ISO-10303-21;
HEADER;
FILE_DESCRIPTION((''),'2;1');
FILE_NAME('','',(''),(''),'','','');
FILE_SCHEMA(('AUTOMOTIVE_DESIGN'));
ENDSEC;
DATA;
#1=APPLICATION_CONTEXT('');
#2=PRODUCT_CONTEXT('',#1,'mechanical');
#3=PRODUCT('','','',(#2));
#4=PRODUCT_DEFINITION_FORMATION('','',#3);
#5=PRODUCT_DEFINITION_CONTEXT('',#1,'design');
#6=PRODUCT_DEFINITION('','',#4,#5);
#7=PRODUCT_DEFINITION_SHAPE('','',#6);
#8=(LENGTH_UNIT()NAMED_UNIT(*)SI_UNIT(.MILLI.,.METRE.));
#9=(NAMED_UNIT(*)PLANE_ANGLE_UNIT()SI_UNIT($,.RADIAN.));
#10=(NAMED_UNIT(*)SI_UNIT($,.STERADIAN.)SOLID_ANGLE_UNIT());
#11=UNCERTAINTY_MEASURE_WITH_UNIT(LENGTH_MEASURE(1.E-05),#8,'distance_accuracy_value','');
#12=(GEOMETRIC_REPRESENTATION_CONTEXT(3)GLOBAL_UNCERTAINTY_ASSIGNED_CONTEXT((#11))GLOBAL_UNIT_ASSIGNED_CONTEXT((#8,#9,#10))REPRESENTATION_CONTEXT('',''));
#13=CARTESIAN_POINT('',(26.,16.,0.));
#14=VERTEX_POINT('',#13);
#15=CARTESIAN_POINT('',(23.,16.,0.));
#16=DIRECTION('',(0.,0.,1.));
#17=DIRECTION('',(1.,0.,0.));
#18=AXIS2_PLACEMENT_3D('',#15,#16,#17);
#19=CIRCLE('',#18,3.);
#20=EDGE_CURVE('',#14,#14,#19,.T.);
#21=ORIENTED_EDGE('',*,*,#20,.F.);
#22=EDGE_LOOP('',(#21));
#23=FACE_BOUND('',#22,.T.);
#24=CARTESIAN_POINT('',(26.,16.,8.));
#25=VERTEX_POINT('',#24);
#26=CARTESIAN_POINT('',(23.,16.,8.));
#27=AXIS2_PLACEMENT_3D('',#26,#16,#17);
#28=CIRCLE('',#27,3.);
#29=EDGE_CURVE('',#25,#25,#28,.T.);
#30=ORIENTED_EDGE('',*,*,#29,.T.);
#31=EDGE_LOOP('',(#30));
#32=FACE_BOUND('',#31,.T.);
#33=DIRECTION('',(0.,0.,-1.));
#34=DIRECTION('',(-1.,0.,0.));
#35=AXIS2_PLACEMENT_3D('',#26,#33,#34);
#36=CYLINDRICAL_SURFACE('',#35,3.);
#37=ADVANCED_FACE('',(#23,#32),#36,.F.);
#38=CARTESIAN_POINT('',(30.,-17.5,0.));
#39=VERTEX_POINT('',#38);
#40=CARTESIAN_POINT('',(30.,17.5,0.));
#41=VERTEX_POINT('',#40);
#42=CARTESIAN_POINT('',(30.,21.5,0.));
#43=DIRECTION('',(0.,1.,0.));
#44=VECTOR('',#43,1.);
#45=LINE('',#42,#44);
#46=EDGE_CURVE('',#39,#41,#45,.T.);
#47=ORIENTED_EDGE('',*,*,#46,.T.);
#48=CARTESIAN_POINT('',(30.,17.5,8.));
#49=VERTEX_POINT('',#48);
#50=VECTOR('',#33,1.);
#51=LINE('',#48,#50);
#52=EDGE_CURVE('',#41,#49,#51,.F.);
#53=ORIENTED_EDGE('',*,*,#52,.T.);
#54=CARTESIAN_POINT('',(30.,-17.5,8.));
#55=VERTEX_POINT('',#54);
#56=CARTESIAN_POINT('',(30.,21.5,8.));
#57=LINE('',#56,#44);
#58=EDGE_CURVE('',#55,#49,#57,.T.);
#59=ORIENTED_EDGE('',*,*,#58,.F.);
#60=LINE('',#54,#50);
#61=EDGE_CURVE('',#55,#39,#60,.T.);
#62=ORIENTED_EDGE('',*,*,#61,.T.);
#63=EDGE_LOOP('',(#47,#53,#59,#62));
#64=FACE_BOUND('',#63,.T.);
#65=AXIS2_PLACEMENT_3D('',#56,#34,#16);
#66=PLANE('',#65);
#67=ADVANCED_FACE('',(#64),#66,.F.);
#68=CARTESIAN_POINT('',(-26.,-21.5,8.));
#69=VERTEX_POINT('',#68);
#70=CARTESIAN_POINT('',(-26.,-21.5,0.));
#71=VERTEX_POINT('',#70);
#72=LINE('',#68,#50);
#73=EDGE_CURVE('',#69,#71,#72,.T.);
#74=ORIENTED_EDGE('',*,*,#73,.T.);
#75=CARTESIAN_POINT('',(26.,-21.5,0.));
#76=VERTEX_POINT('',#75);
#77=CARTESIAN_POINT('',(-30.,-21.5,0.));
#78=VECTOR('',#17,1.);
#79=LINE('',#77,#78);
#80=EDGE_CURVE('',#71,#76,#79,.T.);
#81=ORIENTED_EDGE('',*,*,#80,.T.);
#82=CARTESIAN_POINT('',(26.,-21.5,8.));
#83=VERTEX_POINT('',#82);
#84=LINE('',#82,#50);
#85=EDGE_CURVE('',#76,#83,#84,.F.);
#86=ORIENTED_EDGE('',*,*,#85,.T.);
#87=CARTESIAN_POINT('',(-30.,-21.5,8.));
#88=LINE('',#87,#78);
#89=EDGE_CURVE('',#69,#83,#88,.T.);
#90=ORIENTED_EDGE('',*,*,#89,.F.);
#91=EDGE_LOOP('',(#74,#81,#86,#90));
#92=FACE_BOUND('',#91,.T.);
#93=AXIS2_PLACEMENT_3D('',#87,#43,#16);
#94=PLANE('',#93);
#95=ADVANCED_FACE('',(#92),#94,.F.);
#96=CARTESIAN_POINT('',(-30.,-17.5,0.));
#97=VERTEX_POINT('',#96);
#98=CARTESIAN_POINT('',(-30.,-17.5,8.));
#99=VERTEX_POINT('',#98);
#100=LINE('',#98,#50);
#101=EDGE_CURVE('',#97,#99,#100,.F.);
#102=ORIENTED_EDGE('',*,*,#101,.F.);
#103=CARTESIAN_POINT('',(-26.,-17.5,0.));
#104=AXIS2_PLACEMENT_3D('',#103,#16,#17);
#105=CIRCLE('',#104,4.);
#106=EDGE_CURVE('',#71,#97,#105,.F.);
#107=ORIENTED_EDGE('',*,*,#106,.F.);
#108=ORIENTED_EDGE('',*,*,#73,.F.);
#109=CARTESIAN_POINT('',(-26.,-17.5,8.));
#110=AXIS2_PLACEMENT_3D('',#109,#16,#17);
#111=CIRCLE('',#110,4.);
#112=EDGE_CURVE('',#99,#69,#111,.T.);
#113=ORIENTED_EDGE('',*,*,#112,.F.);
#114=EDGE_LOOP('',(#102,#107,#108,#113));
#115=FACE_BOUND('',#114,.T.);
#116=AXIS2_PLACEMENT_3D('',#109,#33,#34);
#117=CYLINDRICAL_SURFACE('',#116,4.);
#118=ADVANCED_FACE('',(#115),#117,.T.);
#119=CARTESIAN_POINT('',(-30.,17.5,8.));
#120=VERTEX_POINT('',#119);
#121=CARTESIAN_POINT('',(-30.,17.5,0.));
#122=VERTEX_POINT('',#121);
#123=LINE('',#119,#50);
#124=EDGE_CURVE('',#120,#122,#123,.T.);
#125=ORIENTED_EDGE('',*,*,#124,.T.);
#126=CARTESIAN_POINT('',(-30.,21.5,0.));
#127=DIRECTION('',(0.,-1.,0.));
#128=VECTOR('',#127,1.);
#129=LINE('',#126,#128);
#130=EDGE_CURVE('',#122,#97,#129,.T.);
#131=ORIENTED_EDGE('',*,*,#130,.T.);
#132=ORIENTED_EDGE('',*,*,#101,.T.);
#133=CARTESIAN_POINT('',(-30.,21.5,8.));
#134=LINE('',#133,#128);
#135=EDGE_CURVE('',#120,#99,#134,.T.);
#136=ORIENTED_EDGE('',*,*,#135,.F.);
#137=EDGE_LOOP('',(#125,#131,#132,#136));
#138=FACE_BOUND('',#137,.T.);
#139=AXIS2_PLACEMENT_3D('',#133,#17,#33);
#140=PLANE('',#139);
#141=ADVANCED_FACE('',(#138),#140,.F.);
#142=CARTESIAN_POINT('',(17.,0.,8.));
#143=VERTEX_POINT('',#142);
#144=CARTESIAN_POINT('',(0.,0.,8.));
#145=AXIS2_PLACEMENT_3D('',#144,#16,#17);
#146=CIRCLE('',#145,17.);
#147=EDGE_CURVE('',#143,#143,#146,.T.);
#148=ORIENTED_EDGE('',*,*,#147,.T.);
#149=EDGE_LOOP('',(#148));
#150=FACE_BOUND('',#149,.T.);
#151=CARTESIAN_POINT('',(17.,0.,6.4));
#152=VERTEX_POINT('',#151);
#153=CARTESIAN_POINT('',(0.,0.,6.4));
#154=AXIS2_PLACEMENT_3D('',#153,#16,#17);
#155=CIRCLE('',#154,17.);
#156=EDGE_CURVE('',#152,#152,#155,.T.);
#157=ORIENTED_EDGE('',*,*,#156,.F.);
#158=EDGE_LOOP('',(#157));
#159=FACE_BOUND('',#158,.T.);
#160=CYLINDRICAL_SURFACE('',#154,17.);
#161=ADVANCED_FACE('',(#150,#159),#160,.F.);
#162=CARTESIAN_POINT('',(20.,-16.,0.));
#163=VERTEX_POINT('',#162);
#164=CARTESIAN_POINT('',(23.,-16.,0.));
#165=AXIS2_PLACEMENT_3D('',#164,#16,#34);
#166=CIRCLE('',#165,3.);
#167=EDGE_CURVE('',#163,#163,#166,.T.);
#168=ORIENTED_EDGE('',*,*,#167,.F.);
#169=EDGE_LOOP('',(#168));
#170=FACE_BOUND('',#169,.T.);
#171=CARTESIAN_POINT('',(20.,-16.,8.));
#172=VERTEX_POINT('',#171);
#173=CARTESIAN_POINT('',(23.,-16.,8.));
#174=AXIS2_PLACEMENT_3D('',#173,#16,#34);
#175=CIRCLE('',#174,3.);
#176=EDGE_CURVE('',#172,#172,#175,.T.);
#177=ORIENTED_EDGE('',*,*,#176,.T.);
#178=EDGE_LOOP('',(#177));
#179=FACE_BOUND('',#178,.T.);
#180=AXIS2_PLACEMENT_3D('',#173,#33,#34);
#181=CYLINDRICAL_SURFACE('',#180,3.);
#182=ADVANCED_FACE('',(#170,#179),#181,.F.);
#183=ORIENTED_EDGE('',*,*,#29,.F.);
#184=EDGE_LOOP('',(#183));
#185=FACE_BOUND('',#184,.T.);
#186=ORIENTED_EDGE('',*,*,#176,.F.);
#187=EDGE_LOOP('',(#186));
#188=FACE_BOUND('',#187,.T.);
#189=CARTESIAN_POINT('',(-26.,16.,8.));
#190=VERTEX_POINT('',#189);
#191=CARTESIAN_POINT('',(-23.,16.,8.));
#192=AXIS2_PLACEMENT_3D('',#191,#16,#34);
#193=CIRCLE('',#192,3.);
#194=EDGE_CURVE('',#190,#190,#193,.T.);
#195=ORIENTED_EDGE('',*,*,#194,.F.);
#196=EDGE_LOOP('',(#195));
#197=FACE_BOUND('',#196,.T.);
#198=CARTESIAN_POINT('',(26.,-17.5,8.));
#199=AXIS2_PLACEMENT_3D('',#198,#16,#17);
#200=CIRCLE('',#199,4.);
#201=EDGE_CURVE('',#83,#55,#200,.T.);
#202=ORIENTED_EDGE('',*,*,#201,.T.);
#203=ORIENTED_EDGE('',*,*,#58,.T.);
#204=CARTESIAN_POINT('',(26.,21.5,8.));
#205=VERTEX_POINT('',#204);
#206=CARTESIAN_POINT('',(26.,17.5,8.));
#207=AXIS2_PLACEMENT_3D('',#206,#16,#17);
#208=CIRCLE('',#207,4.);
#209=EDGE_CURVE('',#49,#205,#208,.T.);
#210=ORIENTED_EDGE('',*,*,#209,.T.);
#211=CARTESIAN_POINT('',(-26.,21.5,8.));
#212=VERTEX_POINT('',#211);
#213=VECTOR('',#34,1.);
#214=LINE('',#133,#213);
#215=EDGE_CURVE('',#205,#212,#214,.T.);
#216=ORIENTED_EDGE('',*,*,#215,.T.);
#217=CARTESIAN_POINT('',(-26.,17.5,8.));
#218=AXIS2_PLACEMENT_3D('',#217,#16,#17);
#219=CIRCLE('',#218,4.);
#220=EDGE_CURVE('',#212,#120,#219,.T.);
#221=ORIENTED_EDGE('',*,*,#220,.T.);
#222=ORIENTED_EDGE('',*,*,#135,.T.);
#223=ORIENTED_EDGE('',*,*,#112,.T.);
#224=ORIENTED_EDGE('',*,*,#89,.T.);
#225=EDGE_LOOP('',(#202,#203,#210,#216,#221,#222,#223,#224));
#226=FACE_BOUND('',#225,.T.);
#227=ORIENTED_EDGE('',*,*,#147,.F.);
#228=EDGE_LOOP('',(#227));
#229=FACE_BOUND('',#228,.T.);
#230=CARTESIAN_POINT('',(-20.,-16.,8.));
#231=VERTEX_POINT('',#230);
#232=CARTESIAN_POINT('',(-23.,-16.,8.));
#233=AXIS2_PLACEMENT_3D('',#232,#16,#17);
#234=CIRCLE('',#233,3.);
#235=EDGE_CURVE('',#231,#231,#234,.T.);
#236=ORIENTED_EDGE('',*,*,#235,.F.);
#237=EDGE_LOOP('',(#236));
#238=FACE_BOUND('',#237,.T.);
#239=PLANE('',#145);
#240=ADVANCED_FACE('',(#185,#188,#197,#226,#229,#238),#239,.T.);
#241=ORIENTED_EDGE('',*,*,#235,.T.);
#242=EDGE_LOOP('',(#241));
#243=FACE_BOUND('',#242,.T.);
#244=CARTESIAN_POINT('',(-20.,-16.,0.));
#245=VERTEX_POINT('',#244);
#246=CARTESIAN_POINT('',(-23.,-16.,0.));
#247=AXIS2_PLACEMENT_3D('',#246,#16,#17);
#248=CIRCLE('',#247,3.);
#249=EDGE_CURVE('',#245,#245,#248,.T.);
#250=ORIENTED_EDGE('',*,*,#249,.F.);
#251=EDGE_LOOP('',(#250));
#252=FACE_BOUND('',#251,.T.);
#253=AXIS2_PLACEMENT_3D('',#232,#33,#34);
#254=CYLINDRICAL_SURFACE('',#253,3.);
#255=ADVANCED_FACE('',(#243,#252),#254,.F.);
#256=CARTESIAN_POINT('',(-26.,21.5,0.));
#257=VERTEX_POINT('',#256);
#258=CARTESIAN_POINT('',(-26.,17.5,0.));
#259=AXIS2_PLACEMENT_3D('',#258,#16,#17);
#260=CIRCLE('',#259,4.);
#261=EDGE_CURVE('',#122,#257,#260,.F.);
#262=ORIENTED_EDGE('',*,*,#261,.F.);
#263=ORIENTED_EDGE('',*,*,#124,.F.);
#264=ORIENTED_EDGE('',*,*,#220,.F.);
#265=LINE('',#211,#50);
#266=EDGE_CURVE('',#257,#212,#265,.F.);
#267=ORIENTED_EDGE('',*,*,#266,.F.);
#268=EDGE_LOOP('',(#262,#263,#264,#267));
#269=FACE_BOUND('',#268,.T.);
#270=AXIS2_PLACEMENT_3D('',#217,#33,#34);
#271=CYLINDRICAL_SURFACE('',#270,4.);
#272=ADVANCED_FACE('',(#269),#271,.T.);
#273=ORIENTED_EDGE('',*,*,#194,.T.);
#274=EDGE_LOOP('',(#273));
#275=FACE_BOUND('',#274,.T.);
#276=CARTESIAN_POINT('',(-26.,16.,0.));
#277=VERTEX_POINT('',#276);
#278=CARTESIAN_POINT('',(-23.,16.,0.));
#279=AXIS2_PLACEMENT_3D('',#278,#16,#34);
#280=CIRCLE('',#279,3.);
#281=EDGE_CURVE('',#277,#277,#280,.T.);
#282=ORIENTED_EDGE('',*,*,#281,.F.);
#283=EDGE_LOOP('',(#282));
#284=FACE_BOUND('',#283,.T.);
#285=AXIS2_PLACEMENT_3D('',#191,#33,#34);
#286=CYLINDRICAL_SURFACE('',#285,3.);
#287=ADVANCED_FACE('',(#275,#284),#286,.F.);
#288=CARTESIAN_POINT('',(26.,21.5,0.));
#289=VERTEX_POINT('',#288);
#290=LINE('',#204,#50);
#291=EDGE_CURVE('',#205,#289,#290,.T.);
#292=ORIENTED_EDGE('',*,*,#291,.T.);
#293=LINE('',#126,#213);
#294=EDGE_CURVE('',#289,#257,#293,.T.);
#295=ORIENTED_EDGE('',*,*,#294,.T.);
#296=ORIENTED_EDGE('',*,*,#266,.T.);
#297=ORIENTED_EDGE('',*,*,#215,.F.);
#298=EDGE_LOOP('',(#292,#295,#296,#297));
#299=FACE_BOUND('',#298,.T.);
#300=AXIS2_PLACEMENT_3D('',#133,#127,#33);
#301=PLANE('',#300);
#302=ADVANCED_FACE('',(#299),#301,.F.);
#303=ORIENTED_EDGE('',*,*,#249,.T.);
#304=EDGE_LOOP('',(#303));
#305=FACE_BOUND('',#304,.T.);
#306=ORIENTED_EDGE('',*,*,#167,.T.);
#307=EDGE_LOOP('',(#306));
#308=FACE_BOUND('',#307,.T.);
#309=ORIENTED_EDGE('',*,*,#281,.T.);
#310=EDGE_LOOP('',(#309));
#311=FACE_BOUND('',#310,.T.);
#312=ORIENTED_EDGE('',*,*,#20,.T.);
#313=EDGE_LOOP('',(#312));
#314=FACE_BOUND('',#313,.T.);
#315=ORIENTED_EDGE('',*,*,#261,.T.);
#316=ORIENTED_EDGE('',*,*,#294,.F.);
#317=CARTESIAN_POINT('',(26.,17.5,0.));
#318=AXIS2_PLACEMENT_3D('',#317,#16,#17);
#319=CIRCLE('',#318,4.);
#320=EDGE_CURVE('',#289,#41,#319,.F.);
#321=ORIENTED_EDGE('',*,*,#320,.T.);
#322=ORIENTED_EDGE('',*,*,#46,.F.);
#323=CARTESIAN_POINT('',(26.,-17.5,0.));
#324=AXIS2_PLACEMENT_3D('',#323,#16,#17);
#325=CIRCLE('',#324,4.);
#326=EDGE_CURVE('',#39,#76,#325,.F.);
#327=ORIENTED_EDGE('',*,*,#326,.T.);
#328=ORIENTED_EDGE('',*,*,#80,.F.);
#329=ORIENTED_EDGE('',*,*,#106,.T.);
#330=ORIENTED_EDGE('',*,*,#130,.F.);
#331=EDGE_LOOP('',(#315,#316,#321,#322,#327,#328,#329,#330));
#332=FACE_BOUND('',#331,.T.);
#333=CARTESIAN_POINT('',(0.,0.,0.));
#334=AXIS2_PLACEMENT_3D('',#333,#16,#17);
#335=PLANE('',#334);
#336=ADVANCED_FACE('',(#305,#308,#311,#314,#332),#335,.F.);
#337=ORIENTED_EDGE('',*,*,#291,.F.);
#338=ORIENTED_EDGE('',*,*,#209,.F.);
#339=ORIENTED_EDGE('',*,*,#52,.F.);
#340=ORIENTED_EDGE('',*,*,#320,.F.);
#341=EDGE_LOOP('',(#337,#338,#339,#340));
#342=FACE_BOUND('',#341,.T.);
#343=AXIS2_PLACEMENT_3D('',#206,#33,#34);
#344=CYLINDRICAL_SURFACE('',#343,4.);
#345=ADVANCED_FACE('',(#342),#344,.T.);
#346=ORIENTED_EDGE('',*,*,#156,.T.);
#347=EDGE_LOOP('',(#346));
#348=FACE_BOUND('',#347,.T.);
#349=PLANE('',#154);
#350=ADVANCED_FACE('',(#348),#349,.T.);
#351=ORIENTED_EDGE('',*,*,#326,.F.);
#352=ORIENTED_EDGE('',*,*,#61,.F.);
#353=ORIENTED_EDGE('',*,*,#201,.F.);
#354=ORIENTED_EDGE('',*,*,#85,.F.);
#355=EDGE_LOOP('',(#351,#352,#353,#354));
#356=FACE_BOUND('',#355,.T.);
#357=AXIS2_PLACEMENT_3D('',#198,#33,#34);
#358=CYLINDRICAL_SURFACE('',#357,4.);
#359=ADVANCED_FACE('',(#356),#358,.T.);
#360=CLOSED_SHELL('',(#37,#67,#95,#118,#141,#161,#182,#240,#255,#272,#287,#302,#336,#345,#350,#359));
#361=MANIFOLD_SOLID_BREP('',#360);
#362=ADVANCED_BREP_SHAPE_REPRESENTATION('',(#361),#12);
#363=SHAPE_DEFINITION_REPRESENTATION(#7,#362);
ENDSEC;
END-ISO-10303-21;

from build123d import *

# Parameters (mm, degrees)
SKETCH1_W           = 60
SKETCH1_H           = 43
SKETCH1_R           = 3
BOSS_EXTRUDE1_DEPTH = 8
FILLET1_R           = 4
SKETCH2_R           = 17
CUT_EXTRUDE1_DEPTH  = 1.6


with BuildPart() as part:
    # Sketch1 → Boss-Extrude1 (new body)
    with BuildSketch(Plane.XY):
        Rectangle(SKETCH1_W, SKETCH1_H)
        with Locations((23, 16)):
            Circle(SKETCH1_R, mode=Mode.SUBTRACT)
        with Locations(Location((23, -16, 0), (0, 0, 180))):
            Circle(SKETCH1_R, mode=Mode.SUBTRACT)
        with Locations((-23, -16)):
            Circle(SKETCH1_R, mode=Mode.SUBTRACT)
        with Locations(Location((-23, 16, 0), (0, 0, 180))):
            Circle(SKETCH1_R, mode=Mode.SUBTRACT)
    extrude(amount=BOSS_EXTRUDE1_DEPTH)

    # Fillet1
    fillet1_edges = [part.edges().sort_by_distance(p)[0] for p in [
        (30, -21.5, 4),
        (-30, -21.5, 4),
        (-30, 21.5, 4),
        (30, 21.5, 4),
    ]]
    fillet(fillet1_edges, radius=FILLET1_R)

    # Sketch2 → Cut-Extrude1 (cut)
    with BuildSketch(Plane.XY.offset(8)):
        Circle(SKETCH2_R)
    extrude(amount=-CUT_EXTRUDE1_DEPTH, mode=Mode.SUBTRACT)


solid = part.part
